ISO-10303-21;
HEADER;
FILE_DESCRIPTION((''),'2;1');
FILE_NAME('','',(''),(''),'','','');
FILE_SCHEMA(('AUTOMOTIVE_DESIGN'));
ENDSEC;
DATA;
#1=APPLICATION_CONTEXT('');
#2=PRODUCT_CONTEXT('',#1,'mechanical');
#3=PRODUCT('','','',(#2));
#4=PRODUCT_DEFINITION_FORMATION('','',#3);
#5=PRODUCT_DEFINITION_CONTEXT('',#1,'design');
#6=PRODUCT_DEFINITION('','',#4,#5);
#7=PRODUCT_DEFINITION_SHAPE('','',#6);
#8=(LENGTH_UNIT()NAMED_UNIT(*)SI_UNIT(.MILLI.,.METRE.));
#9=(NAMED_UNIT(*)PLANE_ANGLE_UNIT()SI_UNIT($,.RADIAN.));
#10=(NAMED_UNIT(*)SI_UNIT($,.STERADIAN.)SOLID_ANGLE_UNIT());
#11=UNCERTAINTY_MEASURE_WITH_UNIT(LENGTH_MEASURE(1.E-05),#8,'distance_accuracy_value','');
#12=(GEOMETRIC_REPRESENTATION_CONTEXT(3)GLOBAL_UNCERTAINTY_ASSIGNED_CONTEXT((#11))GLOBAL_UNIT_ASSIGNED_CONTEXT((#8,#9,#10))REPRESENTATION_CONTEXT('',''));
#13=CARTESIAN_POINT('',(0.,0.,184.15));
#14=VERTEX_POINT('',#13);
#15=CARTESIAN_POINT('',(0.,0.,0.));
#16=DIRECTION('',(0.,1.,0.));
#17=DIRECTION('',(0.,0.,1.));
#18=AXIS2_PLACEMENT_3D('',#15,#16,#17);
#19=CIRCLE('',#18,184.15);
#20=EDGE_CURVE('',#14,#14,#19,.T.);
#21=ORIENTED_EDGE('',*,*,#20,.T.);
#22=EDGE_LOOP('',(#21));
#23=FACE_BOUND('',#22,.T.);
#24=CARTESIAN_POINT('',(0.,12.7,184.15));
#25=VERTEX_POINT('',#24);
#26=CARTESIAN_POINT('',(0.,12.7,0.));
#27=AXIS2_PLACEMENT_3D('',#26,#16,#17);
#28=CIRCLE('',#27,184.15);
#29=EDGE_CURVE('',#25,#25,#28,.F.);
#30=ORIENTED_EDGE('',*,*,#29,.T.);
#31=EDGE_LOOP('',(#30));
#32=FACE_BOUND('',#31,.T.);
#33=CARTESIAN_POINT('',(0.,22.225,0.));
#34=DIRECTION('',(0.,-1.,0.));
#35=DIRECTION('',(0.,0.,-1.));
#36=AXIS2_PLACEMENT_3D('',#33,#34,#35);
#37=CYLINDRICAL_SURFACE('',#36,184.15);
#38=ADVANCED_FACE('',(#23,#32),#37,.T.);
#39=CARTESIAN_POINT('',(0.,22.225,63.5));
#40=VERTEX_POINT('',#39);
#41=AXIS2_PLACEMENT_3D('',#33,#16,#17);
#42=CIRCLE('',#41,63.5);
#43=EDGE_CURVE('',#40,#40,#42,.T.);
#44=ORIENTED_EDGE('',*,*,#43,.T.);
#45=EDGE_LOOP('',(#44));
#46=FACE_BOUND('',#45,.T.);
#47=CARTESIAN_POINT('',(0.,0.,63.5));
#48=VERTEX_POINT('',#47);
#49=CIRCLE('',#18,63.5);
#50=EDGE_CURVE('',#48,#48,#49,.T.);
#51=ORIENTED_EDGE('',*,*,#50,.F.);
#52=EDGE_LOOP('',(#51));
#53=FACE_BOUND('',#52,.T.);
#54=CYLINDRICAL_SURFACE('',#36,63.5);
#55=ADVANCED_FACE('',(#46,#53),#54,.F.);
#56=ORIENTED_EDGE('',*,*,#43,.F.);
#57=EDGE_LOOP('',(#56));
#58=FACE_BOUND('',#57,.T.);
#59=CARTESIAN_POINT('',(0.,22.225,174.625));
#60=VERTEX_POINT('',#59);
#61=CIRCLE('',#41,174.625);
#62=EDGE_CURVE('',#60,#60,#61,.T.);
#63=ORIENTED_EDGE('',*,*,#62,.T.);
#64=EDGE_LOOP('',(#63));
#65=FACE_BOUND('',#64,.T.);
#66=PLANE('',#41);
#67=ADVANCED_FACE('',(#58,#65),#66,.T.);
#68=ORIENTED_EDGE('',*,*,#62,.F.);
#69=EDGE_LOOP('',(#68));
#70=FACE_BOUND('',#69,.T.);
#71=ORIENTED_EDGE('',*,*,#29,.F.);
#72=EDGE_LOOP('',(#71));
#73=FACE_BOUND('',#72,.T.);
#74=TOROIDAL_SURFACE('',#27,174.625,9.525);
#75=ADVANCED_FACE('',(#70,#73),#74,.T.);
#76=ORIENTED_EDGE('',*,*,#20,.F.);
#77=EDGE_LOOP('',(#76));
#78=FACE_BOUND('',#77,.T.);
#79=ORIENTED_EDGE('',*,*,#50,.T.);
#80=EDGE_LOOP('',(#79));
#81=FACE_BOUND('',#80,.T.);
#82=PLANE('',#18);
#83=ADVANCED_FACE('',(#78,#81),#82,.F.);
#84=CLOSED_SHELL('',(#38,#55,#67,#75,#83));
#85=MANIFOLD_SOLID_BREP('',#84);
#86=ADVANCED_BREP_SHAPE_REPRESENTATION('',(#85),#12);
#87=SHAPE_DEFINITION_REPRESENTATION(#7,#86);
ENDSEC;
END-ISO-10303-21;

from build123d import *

# Parameters (mm, degrees)
SKETCH1_R           = 184.15
SKETCH1_R_2         = 63.5
BOSS_EXTRUDE1_DEPTH = 22.225
FILLET1_R           = 9.525


with BuildPart() as part:
    # Sketch1 → Boss-Extrude1 (new body)
    with BuildSketch(Plane(origin=(0, 0, 0), x_dir=(1, 0, 0), z_dir=(0, 1, 0))):
        Circle(SKETCH1_R)
        Circle(SKETCH1_R_2, mode=Mode.SUBTRACT)
    extrude(amount=BOSS_EXTRUDE1_DEPTH)

    # Fillet1
    fillet1_edges = [part.edges().sort_by_distance(p)[0] for p in [
        (-184.15, 22.225, 0),
    ]]
    fillet(fillet1_edges, radius=FILLET1_R)


solid = part.part
